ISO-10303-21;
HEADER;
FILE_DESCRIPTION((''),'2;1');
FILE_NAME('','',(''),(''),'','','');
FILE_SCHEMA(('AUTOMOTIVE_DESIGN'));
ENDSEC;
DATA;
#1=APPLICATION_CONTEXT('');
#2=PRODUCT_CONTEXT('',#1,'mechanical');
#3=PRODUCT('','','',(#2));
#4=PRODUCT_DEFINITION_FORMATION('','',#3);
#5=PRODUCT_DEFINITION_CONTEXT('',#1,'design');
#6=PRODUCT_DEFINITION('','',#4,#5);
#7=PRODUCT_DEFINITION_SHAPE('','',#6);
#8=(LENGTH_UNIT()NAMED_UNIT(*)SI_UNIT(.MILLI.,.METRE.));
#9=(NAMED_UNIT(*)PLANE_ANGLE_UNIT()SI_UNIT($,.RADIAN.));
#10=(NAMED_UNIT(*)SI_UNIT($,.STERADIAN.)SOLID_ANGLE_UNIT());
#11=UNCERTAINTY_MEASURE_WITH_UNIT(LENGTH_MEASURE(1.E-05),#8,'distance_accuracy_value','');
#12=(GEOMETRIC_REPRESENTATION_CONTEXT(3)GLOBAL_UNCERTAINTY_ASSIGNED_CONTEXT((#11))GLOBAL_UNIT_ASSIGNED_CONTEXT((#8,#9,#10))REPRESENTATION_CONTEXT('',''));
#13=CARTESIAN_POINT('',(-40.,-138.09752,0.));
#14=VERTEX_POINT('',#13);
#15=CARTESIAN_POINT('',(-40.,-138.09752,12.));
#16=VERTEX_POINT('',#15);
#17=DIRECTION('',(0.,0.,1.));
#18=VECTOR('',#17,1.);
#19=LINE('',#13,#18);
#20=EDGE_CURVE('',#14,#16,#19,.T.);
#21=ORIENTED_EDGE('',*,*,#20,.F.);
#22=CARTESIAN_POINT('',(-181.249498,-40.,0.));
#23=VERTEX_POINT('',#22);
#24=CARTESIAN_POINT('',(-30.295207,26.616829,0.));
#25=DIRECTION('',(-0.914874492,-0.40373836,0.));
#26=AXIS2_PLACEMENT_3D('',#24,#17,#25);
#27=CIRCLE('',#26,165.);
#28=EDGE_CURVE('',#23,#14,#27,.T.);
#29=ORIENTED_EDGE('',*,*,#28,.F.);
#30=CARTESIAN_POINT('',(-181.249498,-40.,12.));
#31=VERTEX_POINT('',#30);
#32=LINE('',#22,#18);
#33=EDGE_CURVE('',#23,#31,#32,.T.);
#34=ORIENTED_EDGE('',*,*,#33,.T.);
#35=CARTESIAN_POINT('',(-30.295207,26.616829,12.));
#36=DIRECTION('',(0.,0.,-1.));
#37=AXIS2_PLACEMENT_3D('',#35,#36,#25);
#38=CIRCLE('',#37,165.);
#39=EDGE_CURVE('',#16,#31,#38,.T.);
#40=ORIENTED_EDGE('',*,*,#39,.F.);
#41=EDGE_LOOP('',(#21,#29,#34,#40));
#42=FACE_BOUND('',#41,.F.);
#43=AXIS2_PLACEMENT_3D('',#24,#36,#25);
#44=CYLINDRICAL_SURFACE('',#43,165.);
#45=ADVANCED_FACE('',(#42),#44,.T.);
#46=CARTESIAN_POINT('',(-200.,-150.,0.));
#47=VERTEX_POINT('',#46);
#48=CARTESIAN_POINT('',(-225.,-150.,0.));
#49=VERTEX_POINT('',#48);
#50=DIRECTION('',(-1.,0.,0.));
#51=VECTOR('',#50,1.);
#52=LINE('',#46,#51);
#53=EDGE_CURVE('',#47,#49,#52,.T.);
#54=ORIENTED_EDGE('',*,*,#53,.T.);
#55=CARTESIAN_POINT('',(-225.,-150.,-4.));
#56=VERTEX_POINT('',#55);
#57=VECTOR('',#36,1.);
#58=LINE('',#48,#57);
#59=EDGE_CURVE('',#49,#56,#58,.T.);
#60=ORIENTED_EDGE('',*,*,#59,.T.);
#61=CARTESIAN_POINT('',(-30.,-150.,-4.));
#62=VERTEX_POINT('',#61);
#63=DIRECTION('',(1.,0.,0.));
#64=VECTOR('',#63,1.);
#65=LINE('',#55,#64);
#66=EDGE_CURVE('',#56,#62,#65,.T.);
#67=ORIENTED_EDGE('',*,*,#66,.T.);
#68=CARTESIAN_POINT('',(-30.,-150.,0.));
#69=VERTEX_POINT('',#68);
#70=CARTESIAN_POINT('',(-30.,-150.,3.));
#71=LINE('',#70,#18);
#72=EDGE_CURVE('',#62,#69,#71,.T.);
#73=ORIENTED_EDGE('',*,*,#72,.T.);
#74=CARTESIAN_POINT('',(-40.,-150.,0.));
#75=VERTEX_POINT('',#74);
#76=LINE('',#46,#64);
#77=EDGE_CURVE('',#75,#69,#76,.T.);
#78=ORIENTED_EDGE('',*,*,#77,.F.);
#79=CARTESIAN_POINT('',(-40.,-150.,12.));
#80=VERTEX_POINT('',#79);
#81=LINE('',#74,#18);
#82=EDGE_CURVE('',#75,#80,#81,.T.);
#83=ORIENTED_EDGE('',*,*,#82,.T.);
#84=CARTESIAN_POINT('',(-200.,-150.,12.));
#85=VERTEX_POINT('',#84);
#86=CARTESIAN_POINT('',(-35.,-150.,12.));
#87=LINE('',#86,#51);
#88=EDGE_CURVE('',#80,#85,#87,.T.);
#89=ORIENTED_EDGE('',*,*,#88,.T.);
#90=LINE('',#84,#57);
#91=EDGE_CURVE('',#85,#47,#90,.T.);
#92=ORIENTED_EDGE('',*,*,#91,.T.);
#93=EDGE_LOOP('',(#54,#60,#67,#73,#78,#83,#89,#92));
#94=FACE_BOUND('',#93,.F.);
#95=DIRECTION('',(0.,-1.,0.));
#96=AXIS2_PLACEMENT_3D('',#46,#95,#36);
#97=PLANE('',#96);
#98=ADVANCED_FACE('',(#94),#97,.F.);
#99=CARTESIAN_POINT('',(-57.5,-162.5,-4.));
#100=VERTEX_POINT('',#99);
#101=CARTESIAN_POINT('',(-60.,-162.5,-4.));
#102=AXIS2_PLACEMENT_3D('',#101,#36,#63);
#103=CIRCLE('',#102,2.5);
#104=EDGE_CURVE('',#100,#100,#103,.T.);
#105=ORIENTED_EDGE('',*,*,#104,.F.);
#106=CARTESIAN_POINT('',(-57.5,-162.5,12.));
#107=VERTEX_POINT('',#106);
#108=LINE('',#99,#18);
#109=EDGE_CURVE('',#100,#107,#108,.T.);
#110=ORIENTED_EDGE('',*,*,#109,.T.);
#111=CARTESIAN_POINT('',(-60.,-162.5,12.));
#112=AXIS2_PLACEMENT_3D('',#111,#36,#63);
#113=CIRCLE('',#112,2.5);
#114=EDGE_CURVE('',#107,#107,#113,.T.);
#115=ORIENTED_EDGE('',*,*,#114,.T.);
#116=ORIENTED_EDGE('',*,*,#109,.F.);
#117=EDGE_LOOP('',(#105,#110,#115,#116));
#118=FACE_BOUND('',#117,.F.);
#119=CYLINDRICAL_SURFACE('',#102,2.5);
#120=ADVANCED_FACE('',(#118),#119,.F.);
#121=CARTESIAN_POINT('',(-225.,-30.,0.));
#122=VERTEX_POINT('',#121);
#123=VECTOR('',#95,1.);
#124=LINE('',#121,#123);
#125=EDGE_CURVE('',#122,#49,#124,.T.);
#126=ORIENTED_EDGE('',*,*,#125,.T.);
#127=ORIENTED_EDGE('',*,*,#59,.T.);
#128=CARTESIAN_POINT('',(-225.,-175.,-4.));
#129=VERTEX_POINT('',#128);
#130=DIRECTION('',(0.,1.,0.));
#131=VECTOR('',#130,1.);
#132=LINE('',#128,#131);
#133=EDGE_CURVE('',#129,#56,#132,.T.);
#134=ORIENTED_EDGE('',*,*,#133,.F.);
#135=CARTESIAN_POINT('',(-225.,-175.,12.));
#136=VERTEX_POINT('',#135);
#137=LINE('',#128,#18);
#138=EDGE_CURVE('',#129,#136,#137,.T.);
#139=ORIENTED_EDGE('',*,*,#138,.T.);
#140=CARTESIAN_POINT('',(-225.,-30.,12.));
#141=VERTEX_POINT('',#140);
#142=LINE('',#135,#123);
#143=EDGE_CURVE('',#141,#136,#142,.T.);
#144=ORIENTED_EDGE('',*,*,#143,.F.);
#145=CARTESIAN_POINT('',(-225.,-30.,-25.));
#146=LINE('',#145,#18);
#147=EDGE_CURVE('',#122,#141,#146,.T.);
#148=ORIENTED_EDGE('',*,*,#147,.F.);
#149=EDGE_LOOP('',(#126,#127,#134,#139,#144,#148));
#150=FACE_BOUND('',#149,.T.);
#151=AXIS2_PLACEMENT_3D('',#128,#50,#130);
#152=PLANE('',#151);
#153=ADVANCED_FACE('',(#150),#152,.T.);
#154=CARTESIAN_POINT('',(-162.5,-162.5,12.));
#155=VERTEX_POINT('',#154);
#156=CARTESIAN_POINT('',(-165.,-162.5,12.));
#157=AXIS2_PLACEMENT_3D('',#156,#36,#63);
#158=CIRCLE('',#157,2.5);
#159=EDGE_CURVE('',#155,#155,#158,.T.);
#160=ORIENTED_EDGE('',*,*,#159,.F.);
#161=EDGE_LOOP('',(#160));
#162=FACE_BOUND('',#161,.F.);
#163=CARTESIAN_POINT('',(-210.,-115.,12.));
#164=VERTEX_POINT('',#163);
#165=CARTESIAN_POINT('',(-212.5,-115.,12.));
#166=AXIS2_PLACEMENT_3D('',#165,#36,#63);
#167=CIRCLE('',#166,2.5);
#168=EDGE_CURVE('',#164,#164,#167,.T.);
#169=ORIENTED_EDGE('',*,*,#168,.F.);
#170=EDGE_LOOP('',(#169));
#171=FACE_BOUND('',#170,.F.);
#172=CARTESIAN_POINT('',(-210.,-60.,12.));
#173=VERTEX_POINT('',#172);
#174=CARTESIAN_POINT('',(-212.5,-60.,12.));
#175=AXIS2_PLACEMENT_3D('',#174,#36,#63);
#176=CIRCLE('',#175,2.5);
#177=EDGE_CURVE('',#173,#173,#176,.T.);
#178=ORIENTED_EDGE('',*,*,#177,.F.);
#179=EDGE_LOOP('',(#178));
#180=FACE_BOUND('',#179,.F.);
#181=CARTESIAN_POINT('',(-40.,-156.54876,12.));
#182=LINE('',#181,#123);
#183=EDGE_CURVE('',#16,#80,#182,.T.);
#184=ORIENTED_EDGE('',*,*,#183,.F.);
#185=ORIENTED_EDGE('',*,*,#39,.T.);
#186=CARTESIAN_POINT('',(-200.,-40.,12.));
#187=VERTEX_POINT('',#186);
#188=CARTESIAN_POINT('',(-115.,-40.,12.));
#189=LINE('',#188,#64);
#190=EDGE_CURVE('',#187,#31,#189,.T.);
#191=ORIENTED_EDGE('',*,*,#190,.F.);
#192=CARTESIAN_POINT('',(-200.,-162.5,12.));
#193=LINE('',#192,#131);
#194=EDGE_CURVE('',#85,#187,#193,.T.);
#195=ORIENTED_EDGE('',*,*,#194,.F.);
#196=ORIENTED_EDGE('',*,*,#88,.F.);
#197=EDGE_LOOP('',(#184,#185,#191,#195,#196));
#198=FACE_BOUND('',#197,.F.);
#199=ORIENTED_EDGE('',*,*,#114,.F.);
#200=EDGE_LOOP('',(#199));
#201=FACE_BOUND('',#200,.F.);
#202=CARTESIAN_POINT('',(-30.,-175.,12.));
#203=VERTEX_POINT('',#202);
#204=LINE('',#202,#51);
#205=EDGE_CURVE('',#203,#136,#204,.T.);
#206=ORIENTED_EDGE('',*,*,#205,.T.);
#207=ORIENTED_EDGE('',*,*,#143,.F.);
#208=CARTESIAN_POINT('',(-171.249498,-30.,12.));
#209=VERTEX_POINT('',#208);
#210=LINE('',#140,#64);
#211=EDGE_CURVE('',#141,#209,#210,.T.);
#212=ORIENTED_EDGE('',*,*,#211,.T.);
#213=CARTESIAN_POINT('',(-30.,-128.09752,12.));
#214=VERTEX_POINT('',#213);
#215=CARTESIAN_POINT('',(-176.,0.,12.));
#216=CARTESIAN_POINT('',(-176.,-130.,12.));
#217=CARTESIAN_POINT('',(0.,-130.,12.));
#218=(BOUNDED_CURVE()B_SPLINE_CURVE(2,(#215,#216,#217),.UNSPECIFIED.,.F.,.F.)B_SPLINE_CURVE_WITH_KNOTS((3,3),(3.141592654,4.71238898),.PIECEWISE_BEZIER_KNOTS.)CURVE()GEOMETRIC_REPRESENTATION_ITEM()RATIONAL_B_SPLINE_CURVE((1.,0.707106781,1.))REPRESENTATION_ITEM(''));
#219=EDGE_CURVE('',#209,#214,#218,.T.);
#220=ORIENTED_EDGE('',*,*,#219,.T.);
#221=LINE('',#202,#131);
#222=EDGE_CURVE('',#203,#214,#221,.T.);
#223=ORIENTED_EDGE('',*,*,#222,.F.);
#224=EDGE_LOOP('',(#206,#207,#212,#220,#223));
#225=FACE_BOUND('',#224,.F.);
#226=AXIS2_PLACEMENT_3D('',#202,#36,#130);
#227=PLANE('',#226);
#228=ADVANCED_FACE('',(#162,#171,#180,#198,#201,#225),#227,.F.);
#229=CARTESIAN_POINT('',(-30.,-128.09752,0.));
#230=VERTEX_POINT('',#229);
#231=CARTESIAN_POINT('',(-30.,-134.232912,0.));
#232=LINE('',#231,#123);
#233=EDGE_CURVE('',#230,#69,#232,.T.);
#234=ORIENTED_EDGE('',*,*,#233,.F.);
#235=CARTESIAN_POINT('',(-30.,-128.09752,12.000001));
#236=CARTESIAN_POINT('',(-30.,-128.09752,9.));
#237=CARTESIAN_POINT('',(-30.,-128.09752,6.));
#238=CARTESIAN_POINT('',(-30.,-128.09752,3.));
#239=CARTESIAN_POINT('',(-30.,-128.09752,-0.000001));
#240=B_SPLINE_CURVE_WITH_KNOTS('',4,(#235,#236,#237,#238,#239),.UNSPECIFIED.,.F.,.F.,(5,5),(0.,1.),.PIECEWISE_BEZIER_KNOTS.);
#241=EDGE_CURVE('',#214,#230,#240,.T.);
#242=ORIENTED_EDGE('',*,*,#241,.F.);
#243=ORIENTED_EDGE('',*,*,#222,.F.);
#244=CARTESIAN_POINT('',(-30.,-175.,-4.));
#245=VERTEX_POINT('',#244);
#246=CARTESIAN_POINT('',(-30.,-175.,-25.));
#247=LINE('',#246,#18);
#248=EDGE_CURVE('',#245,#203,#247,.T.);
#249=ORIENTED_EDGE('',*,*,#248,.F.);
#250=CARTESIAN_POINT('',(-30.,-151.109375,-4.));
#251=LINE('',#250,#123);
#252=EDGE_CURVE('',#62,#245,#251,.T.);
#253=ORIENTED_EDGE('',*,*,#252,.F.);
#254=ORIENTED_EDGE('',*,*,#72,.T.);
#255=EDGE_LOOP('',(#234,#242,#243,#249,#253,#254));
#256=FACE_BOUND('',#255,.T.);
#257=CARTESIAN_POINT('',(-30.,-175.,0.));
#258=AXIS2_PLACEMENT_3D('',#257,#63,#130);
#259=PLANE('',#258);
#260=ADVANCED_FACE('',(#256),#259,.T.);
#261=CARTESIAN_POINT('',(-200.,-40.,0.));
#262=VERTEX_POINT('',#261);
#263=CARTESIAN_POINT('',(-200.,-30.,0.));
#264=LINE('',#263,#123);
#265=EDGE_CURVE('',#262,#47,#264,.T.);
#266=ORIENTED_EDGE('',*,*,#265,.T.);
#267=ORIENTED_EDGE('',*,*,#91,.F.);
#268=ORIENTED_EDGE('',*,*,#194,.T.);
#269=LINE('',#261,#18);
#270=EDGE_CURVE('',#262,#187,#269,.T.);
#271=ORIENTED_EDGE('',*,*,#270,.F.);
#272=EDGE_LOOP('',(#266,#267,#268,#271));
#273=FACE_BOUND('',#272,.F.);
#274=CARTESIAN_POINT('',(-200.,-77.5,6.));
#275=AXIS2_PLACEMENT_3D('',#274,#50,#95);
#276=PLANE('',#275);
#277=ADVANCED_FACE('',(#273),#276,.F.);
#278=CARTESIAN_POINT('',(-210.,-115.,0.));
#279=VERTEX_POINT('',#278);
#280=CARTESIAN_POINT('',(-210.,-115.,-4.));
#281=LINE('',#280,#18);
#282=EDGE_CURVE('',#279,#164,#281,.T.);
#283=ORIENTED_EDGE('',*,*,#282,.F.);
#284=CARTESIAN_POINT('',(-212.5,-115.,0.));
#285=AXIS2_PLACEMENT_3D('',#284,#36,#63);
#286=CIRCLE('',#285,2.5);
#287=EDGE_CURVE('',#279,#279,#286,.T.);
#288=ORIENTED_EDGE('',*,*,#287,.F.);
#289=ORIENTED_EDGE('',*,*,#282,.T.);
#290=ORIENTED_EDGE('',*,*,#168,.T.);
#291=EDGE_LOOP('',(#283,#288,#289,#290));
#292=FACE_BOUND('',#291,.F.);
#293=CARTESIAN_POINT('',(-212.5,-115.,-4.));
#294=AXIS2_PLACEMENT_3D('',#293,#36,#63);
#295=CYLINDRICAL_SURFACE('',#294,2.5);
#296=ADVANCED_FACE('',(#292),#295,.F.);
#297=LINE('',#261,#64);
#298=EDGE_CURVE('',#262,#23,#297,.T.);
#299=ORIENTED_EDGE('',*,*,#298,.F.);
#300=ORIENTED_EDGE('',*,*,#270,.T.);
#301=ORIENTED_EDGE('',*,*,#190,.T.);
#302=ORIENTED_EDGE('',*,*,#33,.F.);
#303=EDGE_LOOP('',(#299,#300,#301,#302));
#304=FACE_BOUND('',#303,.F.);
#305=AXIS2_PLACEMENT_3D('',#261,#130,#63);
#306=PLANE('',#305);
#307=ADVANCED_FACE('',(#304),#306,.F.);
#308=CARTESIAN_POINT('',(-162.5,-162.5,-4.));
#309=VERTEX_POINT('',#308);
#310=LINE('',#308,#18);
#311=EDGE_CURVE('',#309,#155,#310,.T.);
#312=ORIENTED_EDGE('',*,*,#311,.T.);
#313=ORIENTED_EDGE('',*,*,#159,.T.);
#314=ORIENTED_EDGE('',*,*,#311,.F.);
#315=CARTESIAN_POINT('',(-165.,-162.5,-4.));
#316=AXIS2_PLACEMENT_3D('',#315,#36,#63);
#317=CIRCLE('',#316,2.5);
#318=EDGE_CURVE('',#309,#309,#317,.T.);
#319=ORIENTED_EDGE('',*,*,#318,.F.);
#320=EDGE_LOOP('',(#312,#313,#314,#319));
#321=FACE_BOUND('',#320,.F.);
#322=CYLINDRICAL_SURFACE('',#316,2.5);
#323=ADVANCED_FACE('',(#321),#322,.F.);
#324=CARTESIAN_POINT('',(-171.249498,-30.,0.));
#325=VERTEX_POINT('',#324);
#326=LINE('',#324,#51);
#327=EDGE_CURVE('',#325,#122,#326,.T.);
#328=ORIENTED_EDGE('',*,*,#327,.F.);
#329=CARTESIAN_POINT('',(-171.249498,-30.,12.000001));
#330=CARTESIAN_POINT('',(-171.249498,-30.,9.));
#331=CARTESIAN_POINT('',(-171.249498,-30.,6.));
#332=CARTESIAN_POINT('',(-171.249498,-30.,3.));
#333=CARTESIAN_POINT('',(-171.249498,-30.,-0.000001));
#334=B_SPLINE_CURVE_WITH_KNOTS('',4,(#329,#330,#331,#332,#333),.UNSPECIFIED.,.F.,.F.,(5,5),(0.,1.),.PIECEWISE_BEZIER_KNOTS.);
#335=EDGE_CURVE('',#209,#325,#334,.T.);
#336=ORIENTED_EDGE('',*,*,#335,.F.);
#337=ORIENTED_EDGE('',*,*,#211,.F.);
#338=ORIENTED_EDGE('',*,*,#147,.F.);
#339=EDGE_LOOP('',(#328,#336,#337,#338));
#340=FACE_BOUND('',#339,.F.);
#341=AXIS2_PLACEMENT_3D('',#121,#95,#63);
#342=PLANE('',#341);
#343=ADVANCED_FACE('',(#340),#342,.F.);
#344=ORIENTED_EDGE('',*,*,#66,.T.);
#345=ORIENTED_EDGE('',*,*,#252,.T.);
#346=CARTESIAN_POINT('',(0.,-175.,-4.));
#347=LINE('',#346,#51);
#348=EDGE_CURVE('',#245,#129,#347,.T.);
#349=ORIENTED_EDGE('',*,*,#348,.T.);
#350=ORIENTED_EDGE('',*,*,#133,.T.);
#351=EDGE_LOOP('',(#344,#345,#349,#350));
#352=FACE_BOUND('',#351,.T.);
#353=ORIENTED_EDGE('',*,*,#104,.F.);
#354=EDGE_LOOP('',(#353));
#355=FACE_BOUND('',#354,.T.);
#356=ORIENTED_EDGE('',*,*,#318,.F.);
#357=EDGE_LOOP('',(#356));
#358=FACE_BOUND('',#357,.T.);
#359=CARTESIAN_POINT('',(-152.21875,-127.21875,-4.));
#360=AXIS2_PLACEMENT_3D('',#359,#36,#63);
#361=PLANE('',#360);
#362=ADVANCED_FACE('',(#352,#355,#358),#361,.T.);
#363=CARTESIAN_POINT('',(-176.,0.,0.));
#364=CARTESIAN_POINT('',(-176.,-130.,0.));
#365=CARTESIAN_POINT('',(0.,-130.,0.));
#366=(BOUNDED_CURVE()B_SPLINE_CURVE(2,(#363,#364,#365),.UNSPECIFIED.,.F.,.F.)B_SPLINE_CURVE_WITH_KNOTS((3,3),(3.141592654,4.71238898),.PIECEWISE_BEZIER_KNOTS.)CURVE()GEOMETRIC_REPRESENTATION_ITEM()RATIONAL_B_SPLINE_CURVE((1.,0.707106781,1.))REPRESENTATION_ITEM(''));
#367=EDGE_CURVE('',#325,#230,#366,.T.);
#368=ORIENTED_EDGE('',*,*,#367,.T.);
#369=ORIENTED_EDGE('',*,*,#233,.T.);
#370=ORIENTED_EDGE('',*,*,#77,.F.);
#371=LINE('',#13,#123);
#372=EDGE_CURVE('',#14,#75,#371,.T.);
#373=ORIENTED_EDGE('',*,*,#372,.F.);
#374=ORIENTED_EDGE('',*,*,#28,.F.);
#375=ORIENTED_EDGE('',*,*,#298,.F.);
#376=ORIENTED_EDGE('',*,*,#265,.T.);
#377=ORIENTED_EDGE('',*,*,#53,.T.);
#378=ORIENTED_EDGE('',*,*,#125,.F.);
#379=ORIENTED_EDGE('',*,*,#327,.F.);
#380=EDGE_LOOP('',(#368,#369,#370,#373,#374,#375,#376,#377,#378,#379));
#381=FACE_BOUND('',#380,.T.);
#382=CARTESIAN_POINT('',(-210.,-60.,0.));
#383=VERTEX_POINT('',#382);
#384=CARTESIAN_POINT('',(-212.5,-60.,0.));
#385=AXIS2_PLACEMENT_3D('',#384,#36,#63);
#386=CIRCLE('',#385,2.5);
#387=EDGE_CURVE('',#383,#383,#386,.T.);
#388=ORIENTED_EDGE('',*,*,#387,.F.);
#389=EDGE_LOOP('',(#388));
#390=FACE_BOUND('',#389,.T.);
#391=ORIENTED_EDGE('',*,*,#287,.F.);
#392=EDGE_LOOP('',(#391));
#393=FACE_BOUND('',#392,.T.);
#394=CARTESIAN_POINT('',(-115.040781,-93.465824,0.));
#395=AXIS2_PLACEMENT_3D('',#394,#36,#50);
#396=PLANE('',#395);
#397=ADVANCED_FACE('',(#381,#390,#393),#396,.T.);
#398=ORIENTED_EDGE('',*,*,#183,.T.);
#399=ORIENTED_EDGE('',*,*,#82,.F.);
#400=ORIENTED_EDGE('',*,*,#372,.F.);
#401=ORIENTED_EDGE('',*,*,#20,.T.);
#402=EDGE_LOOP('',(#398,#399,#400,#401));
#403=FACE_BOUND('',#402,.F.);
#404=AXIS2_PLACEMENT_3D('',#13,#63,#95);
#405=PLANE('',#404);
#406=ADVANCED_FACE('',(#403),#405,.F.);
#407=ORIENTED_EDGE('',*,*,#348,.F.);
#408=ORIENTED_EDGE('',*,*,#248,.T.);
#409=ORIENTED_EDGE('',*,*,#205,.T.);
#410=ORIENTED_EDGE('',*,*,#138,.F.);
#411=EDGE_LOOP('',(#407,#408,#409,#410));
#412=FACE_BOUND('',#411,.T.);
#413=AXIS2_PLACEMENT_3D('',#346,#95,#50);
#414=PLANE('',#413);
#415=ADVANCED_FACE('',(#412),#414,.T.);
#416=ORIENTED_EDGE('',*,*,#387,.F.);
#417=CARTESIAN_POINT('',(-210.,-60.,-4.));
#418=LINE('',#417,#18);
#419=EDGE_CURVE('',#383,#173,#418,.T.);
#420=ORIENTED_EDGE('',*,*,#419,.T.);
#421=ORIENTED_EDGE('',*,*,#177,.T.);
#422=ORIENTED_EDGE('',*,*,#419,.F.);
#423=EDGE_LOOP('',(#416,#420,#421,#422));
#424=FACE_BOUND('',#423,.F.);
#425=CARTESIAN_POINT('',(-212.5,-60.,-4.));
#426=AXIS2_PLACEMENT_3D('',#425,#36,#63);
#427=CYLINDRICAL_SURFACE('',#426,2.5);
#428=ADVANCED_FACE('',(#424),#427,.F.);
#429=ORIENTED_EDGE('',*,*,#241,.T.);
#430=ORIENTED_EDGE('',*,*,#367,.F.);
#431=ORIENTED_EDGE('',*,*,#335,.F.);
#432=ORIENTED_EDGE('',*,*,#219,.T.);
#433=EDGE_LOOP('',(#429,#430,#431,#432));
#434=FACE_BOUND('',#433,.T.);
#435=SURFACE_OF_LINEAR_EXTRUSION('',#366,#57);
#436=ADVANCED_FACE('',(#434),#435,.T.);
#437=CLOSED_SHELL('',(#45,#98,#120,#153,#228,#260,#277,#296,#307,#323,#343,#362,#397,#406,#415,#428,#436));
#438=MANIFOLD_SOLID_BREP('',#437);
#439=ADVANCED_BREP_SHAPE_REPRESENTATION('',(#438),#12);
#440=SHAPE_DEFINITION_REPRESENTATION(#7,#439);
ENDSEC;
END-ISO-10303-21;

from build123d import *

# Parameters (mm, degrees)
F1_DEPTH  = 12
F2_W      = 200
F2_H      = 20
F3_DEPTH  = 5
F4_W      = 155
F4_H      = 20
F5_DEPTH  = 5
F6_R      = 2.5
F7_DEPTH  = 25
F9_DEPTH  = 5
F10_W     = 195
F10_H     = 30
F10_W_2   = 30
F10_H_2   = 145
F11_DEPTH = 25
F12_W     = 145
F12_H     = 9
F13_DEPTH = 195.0010001
F15_DEPTH = 25
F17_DEPTH = 25


with BuildPart() as f1:
    # F0 (on Top) → F1 (new body)
    with BuildSketch(Plane.XY):
        with BuildLine():
            add(Edge.make_bspline(
                [(-176, 0), (-176, -130), (0, -130)],
                knots=[3.1415926536, 3.1415926536, 3.1415926536, 4.7123889804, 4.7123889804, 4.7123889804], degree=2, weights=[1, 0.7071067812, 1]))
            Line((-176, 0), (-176, -130))
            Line((-176, -130), (0, -130))
        make_face()
        Polygon((-176, -130), (-176, 0), (-200, 0), (-200, -150), (0, -150), (0, -130), align=None)
    extrude(amount=F1_DEPTH)

    # F2 (on face) → F3 (join)
    with BuildSketch(Plane.XZ.offset(150)):
        with Locations((-100, 6)):
            Rectangle(F2_W, F2_H)
    extrude(amount=F3_DEPTH)

    # F4 (on face) → F5 (join)
    with BuildSketch(Plane(origin=(-200, 0, 0), x_dir=(0, -1, 0), z_dir=(-1, 0, 0))):
        with Locations((77.5, 6)):
            Rectangle(F4_W, F4_H)
    extrude(amount=F5_DEPTH)

    # F6 (on face) → F7 (join)
    with BuildSketch(Plane(origin=(0, 0, -4), x_dir=(1, 0, 0), z_dir=(0, 0, -1))):
        Polygon((0, 155), (0, 175), (-225, 175), (-225, 0), (-205, 0), (-205, 155), align=None)
        with Locations((-212.5, 60)):
            Circle(F6_R, mode=Mode.SUBTRACT)
        with Locations((-212.5, 115)):
            Circle(F6_R, mode=Mode.SUBTRACT)
        with Locations((-165, 162.5)):
            Circle(F6_R, mode=Mode.SUBTRACT)
        with Locations((-60, 162.5)):
            Circle(F6_R, mode=Mode.SUBTRACT)
    extrude(amount=-F7_DEPTH)

    # F8 (on face) → F9 (join)
    with BuildSketch(Plane.XY.offset(16)):
        Polygon((-190, 0), (-205, 0), (-205, -155), (0, -155), (0, -140), (-190, -140), align=None)
    extrude(amount=F9_DEPTH)

    # F10 (on Top) → F11 (cut, symmetric)
    with BuildSketch(Plane.XY):
        with Locations((-127.5, -15)):
            Rectangle(F10_W, F10_H)
        with Locations((-15, -15)):
            Rectangle(F10_W_2, F10_H)
        with Locations((-15, -102.5)):
            Rectangle(F10_W_2, F10_H_2)
    extrude(amount=F11_DEPTH, both=True, mode=Mode.SUBTRACT)

    # F12 (on face) → F13 (cut, through all)
    with BuildSketch(Plane.YZ.offset(-30)):
        with Locations((-102.5, 16.5)):
            Rectangle(F12_W, F12_H)
    extrude(amount=-F13_DEPTH, mode=Mode.SUBTRACT)

    # F14 (on face) → F15 (cut)
    with BuildSketch(Plane(origin=(0, 0, 0), x_dir=(1, 0, 0), z_dir=(0, 0, -1))):
        with BuildLine():
            ThreePointArc((-181.2494979045, 40), (-124.4154289012, 108.9058025162), (-40, 138.0975202339))
            Line((-40, 138.0975202339), (-40, 150))
            Line((-40, 150), (-200, 150))
            Line((-200, 150), (-200, 40))
            Line((-200, 40), (-181.2494979045, 40))
        make_face()
    extrude(amount=-F15_DEPTH, mode=Mode.SUBTRACT)

    # F16 (on face) → F17 (cut, through all)
    with BuildSketch(Plane.YZ.offset(-200)):
        Polygon((-150, 0), (-150, -4), (-30, -4), (-30, 0), (-40, 0), align=None)
    extrude(amount=-F17_DEPTH, mode=Mode.SUBTRACT)


solid = f1.part
